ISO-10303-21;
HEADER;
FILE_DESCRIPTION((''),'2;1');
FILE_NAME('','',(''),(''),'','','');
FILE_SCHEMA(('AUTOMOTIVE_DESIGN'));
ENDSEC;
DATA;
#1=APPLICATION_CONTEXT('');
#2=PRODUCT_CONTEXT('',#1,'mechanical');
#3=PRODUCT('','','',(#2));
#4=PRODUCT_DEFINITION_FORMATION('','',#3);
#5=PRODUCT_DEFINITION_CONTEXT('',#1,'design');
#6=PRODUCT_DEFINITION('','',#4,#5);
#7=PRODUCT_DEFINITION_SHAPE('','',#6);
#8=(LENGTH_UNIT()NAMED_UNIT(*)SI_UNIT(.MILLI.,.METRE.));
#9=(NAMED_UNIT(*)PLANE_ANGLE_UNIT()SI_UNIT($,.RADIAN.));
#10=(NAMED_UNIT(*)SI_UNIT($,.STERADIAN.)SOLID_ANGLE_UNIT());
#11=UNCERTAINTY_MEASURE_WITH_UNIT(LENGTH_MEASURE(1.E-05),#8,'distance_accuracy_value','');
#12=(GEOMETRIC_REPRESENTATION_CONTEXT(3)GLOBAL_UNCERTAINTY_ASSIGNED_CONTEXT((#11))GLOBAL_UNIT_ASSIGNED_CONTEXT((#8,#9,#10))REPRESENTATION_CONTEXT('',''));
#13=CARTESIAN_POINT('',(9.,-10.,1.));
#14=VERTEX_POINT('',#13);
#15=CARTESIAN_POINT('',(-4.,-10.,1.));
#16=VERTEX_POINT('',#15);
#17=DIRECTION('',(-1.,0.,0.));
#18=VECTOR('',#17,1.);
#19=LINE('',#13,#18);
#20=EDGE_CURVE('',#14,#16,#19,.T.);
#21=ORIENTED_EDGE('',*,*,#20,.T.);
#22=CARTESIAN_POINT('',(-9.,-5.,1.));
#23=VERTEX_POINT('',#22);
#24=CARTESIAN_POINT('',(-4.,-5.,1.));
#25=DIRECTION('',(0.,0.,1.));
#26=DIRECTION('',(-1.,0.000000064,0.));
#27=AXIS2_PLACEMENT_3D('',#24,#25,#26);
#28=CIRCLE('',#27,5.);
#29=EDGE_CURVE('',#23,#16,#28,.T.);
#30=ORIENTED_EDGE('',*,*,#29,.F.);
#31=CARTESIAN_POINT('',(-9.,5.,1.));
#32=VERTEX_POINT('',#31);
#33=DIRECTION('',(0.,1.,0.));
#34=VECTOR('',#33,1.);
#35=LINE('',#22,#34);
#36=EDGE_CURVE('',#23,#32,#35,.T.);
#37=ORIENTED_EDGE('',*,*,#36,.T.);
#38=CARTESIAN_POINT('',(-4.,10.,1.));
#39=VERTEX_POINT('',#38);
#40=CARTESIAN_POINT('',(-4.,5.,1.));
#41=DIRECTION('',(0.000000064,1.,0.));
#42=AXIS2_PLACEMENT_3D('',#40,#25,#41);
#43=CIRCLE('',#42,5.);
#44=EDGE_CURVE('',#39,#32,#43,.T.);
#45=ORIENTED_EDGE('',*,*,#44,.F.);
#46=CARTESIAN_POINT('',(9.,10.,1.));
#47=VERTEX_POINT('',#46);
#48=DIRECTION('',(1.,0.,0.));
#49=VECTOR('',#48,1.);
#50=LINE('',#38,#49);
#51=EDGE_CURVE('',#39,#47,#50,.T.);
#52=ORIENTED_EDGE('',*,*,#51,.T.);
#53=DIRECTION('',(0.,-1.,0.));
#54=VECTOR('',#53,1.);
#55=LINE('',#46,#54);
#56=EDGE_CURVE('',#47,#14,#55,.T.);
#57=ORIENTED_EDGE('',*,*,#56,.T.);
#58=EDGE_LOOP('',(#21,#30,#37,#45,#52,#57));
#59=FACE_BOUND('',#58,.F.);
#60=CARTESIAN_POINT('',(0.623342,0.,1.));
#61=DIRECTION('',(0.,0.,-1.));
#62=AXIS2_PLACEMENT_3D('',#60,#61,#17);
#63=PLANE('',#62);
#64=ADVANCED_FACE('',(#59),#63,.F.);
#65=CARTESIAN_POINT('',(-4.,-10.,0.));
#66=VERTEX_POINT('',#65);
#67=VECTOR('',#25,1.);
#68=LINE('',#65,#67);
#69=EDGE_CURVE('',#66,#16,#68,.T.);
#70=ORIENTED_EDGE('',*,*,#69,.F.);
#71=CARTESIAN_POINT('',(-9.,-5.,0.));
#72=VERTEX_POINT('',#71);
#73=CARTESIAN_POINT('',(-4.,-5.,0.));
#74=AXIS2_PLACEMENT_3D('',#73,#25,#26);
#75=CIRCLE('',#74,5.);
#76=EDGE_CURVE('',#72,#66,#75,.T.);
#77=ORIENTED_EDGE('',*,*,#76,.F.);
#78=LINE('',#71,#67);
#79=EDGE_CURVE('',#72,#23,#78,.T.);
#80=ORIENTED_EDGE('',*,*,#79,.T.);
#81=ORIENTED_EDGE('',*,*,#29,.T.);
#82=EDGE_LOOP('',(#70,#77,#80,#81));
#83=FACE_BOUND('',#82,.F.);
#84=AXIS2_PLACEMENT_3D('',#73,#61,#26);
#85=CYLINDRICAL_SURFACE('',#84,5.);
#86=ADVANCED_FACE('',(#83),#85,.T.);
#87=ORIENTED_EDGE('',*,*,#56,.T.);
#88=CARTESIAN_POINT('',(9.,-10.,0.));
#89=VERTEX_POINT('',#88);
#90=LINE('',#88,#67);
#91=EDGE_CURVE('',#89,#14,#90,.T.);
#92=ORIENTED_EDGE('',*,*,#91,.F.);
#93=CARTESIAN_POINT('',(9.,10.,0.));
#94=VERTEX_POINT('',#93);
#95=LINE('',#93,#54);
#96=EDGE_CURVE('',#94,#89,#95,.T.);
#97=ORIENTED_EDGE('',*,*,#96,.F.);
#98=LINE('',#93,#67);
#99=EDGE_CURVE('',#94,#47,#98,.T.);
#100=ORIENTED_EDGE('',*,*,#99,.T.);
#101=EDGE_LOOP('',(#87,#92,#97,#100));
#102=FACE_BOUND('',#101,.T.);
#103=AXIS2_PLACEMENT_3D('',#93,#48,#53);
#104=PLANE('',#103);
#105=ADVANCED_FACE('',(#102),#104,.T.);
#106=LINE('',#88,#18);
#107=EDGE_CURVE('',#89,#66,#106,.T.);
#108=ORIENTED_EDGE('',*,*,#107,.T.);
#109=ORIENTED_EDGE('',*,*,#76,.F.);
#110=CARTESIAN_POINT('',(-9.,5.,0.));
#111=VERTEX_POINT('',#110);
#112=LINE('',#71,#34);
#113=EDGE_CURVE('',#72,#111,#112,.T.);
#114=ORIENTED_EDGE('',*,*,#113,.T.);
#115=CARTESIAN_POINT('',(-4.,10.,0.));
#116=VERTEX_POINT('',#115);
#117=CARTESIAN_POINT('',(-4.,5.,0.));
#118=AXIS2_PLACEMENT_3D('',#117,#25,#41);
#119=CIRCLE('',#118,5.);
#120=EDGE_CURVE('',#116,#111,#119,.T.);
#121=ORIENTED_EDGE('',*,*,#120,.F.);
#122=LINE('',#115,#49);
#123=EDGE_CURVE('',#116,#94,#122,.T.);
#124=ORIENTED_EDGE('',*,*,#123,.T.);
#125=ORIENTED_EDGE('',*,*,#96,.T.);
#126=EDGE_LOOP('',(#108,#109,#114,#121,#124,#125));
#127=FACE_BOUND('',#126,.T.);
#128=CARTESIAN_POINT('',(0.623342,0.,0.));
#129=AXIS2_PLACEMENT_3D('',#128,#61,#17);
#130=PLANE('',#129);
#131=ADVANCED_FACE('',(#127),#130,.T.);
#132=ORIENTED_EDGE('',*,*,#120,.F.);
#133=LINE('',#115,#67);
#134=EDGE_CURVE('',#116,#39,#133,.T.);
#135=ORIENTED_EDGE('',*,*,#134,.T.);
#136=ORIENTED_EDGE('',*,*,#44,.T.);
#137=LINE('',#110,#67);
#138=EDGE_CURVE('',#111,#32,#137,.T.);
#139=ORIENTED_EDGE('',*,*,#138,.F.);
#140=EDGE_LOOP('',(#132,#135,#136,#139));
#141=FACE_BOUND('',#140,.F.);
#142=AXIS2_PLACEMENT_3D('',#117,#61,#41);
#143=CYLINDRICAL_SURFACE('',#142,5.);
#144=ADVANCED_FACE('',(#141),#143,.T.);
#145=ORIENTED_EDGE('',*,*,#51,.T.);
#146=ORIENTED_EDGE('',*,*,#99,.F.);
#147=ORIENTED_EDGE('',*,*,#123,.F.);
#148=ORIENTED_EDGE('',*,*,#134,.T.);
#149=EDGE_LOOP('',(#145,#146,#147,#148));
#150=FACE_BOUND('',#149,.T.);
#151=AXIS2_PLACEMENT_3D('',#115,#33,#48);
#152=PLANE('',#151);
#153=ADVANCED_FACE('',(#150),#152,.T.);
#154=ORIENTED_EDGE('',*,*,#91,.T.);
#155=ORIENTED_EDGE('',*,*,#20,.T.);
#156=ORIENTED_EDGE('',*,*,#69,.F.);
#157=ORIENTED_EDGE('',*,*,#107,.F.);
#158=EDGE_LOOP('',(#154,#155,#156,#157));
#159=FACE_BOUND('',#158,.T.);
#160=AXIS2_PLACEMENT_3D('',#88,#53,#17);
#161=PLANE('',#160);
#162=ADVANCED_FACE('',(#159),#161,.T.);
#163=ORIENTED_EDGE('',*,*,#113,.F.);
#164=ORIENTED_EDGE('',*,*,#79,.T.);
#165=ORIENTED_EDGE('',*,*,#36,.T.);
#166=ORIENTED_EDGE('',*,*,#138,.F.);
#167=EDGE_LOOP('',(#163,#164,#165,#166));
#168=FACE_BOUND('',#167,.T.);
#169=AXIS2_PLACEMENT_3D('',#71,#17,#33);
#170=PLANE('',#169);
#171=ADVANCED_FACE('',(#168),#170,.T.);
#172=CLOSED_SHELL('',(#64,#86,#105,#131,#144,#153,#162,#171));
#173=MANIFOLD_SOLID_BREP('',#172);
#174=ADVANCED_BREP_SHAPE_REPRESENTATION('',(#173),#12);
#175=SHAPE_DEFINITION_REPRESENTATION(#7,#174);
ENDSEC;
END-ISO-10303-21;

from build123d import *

# Parameters (mm, degrees)
PAD_DEPTH = 1


with BuildPart() as part:
    # Sketch → Pad (new body)
    with BuildSketch(Plane.XY):
        with BuildLine():
            Line((-4, 10), (9, 10))
            Line((9, 10), (9, -10))
            Line((9, -10), (-4, -10))
            ThreePointArc((-9, -5), (-7.535534, -8.535534), (-4, -10))
            Line((-9, -5), (-9, 5))
            ThreePointArc((-4, 10), (-7.535534, 8.535534), (-9, 5))
        make_face()
    extrude(amount=PAD_DEPTH)


solid = part.part
